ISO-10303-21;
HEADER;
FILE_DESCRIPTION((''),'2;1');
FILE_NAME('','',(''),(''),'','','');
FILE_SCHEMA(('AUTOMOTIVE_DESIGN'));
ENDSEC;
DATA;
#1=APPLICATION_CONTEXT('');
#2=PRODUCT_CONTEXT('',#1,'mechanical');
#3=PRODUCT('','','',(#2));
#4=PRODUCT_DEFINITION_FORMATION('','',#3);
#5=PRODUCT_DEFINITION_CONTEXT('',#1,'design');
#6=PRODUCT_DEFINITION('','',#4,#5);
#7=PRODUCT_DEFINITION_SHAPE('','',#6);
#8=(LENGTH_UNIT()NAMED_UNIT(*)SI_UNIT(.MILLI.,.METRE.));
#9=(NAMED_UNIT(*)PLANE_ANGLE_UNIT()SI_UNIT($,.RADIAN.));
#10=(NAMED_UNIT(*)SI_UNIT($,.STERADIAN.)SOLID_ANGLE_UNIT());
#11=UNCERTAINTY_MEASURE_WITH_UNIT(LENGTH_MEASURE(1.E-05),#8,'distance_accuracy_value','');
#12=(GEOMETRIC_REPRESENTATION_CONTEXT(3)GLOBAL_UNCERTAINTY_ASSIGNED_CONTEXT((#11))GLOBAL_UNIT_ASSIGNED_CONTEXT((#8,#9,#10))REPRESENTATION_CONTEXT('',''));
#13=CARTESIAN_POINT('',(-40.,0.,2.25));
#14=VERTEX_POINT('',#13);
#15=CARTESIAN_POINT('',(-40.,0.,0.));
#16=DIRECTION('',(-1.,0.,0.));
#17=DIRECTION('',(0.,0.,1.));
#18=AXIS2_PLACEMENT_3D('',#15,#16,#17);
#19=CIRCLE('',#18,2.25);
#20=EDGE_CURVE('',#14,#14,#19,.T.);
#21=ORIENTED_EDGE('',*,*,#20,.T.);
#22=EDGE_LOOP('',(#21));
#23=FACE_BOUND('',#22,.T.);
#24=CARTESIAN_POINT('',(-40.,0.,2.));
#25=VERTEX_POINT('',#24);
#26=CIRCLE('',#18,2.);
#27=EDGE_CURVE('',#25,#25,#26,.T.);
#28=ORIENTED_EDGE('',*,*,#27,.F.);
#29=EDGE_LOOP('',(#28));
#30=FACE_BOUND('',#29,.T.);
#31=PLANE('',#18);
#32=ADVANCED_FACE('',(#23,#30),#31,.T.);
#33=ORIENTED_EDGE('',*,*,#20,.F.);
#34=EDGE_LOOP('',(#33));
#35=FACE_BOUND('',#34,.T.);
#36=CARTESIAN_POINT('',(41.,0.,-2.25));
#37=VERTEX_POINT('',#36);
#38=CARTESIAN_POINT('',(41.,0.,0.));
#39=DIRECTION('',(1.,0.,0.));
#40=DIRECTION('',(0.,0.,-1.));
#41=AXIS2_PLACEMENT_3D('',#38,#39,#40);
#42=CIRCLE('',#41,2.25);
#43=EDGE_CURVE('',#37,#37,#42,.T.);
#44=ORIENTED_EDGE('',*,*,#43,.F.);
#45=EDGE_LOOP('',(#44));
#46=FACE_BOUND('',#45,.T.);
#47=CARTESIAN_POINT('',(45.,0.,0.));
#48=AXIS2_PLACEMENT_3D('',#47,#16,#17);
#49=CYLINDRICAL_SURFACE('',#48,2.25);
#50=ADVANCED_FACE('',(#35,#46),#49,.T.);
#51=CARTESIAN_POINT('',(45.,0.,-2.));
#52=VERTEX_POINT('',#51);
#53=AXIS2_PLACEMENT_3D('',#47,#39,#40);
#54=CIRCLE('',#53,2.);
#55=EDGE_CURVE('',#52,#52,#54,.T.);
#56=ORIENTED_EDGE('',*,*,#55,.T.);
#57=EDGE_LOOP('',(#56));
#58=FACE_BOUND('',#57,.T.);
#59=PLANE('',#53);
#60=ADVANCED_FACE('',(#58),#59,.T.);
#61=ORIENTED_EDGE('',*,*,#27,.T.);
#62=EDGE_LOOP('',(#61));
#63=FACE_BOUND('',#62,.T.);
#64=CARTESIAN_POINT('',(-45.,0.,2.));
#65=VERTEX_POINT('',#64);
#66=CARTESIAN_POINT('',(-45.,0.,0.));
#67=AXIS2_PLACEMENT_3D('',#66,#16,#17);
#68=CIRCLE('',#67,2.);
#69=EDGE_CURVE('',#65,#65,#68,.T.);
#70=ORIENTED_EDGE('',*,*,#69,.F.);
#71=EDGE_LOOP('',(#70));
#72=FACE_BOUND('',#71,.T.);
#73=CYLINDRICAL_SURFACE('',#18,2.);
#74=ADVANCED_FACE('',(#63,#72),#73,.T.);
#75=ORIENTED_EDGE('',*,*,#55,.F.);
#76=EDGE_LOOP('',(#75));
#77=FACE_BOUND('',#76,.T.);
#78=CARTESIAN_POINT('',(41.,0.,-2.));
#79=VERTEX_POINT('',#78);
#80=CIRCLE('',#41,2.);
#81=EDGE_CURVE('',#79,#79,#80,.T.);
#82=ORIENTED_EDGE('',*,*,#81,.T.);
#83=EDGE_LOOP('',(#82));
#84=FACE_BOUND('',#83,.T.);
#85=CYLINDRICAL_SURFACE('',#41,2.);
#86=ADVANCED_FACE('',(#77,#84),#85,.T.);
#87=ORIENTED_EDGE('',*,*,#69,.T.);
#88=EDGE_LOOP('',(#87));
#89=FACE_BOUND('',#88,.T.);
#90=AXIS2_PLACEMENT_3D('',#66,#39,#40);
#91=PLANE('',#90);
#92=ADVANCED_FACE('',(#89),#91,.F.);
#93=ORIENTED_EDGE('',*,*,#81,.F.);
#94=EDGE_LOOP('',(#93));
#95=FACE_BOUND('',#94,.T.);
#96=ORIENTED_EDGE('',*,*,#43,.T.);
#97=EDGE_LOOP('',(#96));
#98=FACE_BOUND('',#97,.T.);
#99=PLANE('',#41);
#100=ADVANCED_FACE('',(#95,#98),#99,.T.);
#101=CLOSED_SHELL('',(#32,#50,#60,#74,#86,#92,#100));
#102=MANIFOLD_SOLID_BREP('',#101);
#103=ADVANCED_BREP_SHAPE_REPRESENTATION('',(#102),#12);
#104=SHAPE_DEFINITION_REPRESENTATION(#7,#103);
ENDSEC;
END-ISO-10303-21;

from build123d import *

# Parameters (mm, degrees)
SKETCH1_R           = 2.25
BOSS_EXTRUDE1_DEPTH = 45
SKETCH2_R           = 2.25
SKETCH2_R_2         = 2
CUT_EXTRUDE1_DEPTH  = 4
SKETCH3_R           = 2.25
SKETCH3_R_2         = 2
CUT_EXTRUDE2_DEPTH  = 5


with BuildPart() as part:
    # Sketch1 → Boss-Extrude1 (new body, symmetric)
    with BuildSketch(Plane(origin=(0, 0, 0), x_dir=(0, 0, -1), z_dir=(1, 0, 0))):
        Circle(SKETCH1_R)
    extrude(amount=BOSS_EXTRUDE1_DEPTH, both=True)

    # Sketch2 → Cut-Extrude1 (cut)
    with BuildSketch(Plane(origin=(45, 0, 0), x_dir=(0, 0, -1), z_dir=(1, 0, 0))):
        Circle(SKETCH2_R)
        Circle(SKETCH2_R_2, mode=Mode.SUBTRACT)
    extrude(amount=-CUT_EXTRUDE1_DEPTH, mode=Mode.SUBTRACT)

    # Sketch3 → Cut-Extrude2 (cut)
    with BuildSketch(Plane.ZY.offset(45)):
        Circle(SKETCH3_R)
        Circle(SKETCH3_R_2, mode=Mode.SUBTRACT)
    extrude(amount=-CUT_EXTRUDE2_DEPTH, mode=Mode.SUBTRACT)


solid = part.part
